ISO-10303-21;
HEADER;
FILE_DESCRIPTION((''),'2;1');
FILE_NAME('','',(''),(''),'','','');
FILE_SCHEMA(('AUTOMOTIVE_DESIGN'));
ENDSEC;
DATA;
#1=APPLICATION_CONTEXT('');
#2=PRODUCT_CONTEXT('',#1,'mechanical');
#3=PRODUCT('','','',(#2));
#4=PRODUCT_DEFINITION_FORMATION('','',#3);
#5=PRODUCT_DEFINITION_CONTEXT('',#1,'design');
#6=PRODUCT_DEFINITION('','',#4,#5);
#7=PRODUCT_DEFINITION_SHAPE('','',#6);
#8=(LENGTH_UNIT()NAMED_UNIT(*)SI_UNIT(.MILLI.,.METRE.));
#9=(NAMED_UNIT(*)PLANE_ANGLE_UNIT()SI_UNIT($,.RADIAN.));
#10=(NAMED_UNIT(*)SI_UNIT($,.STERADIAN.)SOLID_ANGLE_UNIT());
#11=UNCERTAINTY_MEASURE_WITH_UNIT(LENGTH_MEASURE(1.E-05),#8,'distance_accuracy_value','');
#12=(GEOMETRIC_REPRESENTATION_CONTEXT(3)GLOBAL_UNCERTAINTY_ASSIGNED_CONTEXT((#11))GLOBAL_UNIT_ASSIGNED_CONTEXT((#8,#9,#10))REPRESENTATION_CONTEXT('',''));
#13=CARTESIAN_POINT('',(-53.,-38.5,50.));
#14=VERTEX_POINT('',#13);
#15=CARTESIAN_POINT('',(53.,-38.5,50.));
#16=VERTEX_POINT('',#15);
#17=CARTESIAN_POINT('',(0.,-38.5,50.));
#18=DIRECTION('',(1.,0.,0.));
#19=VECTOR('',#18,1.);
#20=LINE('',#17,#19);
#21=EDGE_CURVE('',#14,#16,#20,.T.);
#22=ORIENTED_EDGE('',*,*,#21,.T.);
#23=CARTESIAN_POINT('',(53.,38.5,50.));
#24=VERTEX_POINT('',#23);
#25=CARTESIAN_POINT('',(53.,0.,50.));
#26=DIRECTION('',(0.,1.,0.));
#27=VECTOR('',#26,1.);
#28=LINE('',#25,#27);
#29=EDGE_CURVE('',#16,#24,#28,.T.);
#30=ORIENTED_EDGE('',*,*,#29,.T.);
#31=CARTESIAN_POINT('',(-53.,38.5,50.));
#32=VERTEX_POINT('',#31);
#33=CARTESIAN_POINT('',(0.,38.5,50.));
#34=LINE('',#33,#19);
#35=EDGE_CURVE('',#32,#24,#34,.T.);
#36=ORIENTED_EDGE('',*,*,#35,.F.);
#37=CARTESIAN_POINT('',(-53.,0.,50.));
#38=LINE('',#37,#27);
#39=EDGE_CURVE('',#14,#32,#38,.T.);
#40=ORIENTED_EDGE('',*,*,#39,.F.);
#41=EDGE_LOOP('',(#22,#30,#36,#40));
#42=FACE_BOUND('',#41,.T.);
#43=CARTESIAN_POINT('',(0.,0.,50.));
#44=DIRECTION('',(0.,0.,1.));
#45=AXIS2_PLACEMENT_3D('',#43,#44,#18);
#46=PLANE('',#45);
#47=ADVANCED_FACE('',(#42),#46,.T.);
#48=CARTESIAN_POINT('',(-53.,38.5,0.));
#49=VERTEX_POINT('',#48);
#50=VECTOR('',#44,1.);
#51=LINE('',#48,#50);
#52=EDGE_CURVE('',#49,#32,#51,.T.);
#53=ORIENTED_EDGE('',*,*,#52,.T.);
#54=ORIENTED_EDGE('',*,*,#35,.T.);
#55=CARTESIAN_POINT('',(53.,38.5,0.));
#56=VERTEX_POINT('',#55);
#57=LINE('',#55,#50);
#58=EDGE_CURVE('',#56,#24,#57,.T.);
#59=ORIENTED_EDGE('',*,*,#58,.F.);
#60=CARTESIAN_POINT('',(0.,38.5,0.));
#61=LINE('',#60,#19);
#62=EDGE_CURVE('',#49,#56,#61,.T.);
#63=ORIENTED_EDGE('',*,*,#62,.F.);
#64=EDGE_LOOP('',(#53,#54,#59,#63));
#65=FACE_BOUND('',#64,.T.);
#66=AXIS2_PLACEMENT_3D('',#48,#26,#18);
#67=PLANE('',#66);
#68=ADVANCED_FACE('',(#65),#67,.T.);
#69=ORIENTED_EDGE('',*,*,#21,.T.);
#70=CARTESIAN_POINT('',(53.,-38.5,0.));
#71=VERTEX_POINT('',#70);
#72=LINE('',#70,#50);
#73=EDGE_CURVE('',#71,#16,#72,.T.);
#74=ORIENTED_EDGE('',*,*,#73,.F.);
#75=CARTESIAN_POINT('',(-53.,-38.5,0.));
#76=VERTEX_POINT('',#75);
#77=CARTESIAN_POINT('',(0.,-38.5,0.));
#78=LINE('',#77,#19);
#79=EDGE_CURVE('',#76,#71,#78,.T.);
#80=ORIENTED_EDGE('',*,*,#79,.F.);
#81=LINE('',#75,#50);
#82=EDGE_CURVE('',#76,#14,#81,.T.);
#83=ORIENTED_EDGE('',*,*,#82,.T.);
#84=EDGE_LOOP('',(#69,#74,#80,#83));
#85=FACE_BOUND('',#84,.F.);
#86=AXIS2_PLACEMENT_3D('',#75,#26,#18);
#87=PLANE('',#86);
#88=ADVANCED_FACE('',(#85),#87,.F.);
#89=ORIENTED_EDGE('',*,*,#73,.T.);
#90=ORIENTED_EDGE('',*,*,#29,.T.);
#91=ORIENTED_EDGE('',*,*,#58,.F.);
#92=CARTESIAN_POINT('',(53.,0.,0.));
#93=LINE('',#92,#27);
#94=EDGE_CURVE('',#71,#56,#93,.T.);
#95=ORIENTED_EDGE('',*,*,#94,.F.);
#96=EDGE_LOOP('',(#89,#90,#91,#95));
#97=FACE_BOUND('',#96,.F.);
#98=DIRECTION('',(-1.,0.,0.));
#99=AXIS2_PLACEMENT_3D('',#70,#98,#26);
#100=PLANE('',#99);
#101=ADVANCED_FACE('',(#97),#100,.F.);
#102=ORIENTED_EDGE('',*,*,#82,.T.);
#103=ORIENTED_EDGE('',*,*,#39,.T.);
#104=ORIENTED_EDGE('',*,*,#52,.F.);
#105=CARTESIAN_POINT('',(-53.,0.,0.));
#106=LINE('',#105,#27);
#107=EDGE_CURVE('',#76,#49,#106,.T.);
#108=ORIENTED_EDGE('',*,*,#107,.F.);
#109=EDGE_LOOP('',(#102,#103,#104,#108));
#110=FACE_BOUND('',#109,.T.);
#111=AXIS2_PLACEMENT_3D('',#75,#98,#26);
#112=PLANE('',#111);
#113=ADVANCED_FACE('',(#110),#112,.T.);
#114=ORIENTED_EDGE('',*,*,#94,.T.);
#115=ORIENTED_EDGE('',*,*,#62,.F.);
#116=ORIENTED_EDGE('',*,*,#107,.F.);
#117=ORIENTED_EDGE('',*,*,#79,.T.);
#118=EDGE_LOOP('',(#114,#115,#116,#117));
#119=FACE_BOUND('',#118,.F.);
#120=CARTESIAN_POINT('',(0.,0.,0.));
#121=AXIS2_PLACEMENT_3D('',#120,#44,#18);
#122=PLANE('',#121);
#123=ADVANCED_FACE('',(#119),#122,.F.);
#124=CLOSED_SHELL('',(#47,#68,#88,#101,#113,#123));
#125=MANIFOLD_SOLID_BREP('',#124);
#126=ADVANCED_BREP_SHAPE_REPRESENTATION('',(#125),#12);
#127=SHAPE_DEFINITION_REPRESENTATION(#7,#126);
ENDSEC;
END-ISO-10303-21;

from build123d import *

# Parameters (mm, degrees)
SKETCH_W  = 106
SKETCH_H  = 77
PAD_DEPTH = 50


with BuildPart() as part:
    # Sketch → Pad (new body)
    with BuildSketch(Plane.XY):
        Rectangle(SKETCH_W, SKETCH_H)
    extrude(amount=PAD_DEPTH)


solid = part.part
